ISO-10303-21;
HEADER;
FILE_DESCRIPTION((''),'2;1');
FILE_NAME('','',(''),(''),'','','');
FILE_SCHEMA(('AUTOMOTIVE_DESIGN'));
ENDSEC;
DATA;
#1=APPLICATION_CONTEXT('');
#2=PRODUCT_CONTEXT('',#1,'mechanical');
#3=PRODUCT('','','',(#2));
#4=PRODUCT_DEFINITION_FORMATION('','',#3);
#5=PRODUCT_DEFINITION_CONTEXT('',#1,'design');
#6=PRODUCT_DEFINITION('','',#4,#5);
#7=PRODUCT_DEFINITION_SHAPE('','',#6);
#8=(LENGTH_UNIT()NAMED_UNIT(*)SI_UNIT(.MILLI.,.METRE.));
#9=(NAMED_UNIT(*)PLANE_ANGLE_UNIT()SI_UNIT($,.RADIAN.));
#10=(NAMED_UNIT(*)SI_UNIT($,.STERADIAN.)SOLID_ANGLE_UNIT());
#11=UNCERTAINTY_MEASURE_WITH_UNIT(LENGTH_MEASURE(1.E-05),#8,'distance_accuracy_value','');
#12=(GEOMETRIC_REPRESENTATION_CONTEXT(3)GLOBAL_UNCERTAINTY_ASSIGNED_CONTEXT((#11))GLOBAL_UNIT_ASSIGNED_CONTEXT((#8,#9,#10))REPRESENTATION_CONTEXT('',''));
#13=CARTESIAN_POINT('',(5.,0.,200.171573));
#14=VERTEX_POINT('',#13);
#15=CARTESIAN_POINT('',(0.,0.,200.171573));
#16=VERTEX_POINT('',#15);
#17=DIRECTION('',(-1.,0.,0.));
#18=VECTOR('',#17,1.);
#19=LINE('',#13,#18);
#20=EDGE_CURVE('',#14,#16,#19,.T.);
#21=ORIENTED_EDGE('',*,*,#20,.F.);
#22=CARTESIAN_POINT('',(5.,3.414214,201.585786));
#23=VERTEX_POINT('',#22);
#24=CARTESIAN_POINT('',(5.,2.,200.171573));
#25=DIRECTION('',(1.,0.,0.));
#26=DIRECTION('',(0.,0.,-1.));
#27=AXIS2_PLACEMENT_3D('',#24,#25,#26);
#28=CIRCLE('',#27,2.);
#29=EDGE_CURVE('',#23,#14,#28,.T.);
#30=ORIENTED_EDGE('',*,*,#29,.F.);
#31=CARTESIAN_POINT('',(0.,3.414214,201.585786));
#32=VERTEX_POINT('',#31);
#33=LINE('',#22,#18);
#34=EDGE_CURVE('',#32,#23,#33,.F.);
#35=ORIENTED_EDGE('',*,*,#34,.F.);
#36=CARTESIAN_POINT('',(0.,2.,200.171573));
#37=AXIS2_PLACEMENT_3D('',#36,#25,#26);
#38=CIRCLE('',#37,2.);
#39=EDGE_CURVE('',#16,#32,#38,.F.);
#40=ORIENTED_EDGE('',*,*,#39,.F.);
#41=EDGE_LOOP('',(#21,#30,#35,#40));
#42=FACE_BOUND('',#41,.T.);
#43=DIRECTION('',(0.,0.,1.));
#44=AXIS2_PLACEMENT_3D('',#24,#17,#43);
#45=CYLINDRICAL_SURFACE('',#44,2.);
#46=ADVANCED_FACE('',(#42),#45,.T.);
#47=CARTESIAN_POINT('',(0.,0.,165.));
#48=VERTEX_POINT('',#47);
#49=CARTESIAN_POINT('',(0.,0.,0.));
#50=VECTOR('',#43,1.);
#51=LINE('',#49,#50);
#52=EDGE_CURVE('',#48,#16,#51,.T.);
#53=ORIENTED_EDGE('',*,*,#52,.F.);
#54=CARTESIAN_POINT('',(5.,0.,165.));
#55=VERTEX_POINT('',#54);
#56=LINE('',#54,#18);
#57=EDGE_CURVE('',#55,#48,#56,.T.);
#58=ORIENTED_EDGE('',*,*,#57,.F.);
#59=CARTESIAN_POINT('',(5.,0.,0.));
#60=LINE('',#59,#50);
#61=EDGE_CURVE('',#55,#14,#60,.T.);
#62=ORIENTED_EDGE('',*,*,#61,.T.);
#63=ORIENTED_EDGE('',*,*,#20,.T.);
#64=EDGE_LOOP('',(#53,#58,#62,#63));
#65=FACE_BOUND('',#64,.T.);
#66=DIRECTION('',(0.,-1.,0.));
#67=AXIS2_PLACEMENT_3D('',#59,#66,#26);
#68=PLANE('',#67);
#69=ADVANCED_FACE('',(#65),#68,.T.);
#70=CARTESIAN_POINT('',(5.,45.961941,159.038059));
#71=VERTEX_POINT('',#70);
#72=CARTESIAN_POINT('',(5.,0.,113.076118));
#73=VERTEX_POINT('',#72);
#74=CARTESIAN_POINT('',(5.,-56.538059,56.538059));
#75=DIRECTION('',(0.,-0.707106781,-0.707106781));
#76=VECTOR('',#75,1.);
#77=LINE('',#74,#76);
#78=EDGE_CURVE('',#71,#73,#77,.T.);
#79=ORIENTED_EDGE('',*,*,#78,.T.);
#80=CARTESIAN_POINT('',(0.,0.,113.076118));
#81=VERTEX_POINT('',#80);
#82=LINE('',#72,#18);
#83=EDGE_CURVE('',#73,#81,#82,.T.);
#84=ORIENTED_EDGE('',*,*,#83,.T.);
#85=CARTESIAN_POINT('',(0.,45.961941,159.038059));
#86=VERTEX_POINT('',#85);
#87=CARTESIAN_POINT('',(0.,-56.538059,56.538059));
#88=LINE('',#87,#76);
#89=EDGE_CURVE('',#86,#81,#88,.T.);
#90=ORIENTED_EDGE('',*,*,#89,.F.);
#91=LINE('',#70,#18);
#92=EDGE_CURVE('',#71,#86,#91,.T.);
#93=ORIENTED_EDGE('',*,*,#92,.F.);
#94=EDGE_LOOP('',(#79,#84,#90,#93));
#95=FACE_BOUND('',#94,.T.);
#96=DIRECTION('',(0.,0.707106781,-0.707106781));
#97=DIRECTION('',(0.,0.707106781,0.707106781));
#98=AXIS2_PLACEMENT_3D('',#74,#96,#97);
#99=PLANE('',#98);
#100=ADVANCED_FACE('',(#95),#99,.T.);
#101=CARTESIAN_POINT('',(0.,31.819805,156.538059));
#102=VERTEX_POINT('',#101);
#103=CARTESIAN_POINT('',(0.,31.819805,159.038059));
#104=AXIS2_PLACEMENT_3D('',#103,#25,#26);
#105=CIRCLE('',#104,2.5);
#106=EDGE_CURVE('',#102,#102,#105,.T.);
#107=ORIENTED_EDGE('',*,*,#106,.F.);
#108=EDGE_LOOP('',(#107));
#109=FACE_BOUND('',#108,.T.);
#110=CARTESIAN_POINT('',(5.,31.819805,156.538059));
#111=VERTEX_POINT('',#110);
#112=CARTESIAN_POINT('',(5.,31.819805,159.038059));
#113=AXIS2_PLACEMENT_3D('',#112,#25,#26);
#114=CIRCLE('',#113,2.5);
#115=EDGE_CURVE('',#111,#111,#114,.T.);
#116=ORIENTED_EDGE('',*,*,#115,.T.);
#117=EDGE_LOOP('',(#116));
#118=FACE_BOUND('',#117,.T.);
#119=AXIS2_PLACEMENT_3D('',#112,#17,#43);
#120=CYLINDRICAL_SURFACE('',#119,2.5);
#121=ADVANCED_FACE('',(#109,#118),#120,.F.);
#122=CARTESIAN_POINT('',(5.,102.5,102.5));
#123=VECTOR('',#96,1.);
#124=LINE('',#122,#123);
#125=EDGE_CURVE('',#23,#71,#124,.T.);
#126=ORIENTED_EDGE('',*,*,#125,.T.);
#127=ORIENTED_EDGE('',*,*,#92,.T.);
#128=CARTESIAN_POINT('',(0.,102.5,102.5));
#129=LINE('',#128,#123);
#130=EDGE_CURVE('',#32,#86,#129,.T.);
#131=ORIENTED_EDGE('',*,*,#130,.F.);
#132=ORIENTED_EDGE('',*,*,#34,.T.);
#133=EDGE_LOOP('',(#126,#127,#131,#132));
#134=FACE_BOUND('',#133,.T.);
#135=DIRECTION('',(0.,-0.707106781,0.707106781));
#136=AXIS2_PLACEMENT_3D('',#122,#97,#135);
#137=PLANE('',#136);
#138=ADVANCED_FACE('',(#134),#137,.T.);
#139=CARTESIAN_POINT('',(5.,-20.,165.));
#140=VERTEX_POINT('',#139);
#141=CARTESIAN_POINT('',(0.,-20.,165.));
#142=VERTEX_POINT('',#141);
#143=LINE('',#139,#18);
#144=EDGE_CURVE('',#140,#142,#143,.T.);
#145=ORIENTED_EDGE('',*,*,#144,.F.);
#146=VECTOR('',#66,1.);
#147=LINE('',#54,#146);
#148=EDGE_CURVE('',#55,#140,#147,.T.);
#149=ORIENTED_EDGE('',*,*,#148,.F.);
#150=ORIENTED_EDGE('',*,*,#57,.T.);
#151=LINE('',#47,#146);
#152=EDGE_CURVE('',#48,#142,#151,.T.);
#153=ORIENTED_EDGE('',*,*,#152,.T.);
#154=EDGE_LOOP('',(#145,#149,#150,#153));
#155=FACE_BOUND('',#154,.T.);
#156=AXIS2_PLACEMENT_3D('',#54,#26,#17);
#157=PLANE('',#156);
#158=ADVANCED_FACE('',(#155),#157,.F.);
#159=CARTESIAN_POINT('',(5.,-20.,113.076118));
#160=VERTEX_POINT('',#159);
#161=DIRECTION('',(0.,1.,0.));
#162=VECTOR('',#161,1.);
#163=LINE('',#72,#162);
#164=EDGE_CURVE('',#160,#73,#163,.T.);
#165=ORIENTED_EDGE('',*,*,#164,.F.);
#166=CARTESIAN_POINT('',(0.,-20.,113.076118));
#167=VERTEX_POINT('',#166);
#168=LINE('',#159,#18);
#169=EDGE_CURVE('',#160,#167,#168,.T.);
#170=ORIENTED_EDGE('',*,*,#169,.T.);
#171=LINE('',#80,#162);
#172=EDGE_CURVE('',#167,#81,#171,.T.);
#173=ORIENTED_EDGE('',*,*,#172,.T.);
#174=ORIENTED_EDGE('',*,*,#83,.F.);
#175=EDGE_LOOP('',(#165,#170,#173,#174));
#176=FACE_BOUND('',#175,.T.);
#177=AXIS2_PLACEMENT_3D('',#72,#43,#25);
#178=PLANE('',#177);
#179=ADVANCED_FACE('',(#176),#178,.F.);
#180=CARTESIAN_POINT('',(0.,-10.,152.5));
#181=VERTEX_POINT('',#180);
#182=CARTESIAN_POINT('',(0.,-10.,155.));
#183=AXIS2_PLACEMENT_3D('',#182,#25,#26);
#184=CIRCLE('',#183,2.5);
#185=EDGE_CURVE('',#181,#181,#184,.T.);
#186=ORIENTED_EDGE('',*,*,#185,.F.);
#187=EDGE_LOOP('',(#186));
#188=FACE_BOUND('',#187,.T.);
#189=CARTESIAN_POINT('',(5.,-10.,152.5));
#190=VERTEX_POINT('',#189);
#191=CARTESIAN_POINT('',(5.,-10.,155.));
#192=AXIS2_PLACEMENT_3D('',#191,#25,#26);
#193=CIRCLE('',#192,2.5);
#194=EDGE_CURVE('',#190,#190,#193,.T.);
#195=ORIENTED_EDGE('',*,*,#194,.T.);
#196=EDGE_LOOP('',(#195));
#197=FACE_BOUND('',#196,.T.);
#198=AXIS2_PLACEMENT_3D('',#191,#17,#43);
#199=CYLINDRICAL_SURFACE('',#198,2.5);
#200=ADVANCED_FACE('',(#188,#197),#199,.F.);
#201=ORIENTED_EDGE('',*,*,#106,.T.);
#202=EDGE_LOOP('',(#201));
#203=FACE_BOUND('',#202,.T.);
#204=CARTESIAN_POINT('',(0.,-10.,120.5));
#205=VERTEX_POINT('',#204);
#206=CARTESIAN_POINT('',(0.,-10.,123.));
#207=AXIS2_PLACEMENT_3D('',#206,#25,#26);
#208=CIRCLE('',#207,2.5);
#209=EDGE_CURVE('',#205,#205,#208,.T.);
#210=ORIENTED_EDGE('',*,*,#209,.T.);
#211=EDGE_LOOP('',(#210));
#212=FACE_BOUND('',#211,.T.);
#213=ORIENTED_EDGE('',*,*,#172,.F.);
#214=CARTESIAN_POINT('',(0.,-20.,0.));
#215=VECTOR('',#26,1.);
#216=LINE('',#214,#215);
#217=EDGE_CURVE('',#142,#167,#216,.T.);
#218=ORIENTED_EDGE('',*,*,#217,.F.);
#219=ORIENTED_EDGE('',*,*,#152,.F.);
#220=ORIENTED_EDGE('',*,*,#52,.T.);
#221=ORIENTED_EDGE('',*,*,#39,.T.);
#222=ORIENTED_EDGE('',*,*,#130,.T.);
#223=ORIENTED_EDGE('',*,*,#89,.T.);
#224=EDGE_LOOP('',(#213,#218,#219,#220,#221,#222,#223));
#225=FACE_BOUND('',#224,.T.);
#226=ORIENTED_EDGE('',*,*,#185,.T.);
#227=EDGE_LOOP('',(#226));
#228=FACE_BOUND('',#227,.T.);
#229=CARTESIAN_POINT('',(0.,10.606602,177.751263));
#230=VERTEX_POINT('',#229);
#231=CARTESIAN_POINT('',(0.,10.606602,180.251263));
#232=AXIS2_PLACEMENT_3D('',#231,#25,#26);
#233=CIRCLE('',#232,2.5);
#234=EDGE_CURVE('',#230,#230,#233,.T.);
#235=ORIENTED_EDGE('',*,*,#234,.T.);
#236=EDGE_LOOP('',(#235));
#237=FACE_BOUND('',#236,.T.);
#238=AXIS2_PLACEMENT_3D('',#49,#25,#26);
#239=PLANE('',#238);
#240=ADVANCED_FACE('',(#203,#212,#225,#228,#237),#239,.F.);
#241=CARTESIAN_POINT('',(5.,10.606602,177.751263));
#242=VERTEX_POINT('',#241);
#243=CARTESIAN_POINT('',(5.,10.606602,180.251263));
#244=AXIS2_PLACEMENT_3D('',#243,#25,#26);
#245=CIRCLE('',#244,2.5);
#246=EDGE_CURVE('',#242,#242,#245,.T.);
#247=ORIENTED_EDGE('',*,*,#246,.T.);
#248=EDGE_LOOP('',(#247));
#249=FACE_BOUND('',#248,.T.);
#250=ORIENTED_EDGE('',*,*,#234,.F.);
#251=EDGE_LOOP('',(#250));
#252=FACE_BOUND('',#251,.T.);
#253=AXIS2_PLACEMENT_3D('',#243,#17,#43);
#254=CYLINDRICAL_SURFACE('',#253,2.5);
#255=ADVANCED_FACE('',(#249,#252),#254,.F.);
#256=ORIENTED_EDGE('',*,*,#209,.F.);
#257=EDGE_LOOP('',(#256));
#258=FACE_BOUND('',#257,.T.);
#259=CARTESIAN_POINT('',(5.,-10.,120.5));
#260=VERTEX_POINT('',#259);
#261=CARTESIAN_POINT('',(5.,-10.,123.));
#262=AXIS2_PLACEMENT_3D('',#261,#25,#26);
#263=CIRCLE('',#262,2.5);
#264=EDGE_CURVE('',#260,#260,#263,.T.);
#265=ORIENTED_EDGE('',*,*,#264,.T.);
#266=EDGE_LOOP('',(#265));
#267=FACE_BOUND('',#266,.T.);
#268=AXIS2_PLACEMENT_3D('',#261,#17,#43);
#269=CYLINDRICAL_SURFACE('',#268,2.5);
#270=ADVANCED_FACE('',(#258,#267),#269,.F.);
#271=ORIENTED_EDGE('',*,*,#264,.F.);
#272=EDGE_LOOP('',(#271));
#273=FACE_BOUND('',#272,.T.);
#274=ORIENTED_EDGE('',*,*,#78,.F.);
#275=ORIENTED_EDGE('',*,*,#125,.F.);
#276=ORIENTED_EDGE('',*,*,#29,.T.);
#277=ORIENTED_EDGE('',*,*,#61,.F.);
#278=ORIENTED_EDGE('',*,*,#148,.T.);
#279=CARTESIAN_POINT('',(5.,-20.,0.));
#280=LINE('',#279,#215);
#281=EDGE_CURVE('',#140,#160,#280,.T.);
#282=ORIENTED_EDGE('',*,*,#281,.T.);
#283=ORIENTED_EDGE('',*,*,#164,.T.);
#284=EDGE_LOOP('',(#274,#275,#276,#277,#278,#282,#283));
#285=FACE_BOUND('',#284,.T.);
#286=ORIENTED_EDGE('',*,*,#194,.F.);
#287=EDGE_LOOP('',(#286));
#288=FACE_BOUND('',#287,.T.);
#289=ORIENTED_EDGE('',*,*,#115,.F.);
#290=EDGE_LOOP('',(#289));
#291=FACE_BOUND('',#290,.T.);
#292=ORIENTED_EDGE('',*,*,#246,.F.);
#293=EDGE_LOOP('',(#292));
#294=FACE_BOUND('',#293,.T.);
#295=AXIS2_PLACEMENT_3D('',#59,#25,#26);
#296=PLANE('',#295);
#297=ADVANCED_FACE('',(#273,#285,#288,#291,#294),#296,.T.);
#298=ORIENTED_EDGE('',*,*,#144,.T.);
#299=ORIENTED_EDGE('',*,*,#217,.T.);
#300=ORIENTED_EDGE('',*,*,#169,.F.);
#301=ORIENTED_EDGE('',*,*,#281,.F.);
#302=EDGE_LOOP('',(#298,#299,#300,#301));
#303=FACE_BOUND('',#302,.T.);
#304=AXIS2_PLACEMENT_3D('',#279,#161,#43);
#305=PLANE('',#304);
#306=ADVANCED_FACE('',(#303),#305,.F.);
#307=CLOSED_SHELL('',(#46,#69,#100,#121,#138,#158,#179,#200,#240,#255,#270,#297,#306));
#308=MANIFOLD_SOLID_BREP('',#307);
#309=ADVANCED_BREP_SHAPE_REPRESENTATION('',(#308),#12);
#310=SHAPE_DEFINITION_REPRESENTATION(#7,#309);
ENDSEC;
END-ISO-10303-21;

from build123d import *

# Parameters (mm, degrees)
SKETCH_1_R      = 2.5
EXTRUDE_1_DEPTH = 5
FILLET_1_R      = 2


with BuildPart() as part:
    # 草图1 → 凸台-拉伸1 (new body)
    with BuildSketch(Plane(origin=(0, 0, 0), x_dir=(0, 0, -1), z_dir=(1, 0, 0))):
        Polygon((-159.038059223, 45.961940777), (-113.076118446, 0), (-113.076118446, -20), (-165, -20), (-165, 0), (-205, 0), align=None)
        with Locations((-155, -10)):
            Circle(SKETCH_1_R, mode=Mode.SUBTRACT)
        with Locations((-123, -10)):
            Circle(SKETCH_1_R, mode=Mode.SUBTRACT)
        with Locations((-180.251262658, 10.606601718)):
            Circle(SKETCH_1_R, mode=Mode.SUBTRACT)
        with Locations((-159.038059223, 31.819805153)):
            Circle(SKETCH_1_R, mode=Mode.SUBTRACT)
    extrude(amount=EXTRUDE_1_DEPTH)

    # 圆角1
    fillet_1_edges = [part.edges().sort_by_distance(p)[0] for p in [
        (2.5, 0, 205),
    ]]
    fillet(fillet_1_edges, radius=FILLET_1_R)


solid = part.part
